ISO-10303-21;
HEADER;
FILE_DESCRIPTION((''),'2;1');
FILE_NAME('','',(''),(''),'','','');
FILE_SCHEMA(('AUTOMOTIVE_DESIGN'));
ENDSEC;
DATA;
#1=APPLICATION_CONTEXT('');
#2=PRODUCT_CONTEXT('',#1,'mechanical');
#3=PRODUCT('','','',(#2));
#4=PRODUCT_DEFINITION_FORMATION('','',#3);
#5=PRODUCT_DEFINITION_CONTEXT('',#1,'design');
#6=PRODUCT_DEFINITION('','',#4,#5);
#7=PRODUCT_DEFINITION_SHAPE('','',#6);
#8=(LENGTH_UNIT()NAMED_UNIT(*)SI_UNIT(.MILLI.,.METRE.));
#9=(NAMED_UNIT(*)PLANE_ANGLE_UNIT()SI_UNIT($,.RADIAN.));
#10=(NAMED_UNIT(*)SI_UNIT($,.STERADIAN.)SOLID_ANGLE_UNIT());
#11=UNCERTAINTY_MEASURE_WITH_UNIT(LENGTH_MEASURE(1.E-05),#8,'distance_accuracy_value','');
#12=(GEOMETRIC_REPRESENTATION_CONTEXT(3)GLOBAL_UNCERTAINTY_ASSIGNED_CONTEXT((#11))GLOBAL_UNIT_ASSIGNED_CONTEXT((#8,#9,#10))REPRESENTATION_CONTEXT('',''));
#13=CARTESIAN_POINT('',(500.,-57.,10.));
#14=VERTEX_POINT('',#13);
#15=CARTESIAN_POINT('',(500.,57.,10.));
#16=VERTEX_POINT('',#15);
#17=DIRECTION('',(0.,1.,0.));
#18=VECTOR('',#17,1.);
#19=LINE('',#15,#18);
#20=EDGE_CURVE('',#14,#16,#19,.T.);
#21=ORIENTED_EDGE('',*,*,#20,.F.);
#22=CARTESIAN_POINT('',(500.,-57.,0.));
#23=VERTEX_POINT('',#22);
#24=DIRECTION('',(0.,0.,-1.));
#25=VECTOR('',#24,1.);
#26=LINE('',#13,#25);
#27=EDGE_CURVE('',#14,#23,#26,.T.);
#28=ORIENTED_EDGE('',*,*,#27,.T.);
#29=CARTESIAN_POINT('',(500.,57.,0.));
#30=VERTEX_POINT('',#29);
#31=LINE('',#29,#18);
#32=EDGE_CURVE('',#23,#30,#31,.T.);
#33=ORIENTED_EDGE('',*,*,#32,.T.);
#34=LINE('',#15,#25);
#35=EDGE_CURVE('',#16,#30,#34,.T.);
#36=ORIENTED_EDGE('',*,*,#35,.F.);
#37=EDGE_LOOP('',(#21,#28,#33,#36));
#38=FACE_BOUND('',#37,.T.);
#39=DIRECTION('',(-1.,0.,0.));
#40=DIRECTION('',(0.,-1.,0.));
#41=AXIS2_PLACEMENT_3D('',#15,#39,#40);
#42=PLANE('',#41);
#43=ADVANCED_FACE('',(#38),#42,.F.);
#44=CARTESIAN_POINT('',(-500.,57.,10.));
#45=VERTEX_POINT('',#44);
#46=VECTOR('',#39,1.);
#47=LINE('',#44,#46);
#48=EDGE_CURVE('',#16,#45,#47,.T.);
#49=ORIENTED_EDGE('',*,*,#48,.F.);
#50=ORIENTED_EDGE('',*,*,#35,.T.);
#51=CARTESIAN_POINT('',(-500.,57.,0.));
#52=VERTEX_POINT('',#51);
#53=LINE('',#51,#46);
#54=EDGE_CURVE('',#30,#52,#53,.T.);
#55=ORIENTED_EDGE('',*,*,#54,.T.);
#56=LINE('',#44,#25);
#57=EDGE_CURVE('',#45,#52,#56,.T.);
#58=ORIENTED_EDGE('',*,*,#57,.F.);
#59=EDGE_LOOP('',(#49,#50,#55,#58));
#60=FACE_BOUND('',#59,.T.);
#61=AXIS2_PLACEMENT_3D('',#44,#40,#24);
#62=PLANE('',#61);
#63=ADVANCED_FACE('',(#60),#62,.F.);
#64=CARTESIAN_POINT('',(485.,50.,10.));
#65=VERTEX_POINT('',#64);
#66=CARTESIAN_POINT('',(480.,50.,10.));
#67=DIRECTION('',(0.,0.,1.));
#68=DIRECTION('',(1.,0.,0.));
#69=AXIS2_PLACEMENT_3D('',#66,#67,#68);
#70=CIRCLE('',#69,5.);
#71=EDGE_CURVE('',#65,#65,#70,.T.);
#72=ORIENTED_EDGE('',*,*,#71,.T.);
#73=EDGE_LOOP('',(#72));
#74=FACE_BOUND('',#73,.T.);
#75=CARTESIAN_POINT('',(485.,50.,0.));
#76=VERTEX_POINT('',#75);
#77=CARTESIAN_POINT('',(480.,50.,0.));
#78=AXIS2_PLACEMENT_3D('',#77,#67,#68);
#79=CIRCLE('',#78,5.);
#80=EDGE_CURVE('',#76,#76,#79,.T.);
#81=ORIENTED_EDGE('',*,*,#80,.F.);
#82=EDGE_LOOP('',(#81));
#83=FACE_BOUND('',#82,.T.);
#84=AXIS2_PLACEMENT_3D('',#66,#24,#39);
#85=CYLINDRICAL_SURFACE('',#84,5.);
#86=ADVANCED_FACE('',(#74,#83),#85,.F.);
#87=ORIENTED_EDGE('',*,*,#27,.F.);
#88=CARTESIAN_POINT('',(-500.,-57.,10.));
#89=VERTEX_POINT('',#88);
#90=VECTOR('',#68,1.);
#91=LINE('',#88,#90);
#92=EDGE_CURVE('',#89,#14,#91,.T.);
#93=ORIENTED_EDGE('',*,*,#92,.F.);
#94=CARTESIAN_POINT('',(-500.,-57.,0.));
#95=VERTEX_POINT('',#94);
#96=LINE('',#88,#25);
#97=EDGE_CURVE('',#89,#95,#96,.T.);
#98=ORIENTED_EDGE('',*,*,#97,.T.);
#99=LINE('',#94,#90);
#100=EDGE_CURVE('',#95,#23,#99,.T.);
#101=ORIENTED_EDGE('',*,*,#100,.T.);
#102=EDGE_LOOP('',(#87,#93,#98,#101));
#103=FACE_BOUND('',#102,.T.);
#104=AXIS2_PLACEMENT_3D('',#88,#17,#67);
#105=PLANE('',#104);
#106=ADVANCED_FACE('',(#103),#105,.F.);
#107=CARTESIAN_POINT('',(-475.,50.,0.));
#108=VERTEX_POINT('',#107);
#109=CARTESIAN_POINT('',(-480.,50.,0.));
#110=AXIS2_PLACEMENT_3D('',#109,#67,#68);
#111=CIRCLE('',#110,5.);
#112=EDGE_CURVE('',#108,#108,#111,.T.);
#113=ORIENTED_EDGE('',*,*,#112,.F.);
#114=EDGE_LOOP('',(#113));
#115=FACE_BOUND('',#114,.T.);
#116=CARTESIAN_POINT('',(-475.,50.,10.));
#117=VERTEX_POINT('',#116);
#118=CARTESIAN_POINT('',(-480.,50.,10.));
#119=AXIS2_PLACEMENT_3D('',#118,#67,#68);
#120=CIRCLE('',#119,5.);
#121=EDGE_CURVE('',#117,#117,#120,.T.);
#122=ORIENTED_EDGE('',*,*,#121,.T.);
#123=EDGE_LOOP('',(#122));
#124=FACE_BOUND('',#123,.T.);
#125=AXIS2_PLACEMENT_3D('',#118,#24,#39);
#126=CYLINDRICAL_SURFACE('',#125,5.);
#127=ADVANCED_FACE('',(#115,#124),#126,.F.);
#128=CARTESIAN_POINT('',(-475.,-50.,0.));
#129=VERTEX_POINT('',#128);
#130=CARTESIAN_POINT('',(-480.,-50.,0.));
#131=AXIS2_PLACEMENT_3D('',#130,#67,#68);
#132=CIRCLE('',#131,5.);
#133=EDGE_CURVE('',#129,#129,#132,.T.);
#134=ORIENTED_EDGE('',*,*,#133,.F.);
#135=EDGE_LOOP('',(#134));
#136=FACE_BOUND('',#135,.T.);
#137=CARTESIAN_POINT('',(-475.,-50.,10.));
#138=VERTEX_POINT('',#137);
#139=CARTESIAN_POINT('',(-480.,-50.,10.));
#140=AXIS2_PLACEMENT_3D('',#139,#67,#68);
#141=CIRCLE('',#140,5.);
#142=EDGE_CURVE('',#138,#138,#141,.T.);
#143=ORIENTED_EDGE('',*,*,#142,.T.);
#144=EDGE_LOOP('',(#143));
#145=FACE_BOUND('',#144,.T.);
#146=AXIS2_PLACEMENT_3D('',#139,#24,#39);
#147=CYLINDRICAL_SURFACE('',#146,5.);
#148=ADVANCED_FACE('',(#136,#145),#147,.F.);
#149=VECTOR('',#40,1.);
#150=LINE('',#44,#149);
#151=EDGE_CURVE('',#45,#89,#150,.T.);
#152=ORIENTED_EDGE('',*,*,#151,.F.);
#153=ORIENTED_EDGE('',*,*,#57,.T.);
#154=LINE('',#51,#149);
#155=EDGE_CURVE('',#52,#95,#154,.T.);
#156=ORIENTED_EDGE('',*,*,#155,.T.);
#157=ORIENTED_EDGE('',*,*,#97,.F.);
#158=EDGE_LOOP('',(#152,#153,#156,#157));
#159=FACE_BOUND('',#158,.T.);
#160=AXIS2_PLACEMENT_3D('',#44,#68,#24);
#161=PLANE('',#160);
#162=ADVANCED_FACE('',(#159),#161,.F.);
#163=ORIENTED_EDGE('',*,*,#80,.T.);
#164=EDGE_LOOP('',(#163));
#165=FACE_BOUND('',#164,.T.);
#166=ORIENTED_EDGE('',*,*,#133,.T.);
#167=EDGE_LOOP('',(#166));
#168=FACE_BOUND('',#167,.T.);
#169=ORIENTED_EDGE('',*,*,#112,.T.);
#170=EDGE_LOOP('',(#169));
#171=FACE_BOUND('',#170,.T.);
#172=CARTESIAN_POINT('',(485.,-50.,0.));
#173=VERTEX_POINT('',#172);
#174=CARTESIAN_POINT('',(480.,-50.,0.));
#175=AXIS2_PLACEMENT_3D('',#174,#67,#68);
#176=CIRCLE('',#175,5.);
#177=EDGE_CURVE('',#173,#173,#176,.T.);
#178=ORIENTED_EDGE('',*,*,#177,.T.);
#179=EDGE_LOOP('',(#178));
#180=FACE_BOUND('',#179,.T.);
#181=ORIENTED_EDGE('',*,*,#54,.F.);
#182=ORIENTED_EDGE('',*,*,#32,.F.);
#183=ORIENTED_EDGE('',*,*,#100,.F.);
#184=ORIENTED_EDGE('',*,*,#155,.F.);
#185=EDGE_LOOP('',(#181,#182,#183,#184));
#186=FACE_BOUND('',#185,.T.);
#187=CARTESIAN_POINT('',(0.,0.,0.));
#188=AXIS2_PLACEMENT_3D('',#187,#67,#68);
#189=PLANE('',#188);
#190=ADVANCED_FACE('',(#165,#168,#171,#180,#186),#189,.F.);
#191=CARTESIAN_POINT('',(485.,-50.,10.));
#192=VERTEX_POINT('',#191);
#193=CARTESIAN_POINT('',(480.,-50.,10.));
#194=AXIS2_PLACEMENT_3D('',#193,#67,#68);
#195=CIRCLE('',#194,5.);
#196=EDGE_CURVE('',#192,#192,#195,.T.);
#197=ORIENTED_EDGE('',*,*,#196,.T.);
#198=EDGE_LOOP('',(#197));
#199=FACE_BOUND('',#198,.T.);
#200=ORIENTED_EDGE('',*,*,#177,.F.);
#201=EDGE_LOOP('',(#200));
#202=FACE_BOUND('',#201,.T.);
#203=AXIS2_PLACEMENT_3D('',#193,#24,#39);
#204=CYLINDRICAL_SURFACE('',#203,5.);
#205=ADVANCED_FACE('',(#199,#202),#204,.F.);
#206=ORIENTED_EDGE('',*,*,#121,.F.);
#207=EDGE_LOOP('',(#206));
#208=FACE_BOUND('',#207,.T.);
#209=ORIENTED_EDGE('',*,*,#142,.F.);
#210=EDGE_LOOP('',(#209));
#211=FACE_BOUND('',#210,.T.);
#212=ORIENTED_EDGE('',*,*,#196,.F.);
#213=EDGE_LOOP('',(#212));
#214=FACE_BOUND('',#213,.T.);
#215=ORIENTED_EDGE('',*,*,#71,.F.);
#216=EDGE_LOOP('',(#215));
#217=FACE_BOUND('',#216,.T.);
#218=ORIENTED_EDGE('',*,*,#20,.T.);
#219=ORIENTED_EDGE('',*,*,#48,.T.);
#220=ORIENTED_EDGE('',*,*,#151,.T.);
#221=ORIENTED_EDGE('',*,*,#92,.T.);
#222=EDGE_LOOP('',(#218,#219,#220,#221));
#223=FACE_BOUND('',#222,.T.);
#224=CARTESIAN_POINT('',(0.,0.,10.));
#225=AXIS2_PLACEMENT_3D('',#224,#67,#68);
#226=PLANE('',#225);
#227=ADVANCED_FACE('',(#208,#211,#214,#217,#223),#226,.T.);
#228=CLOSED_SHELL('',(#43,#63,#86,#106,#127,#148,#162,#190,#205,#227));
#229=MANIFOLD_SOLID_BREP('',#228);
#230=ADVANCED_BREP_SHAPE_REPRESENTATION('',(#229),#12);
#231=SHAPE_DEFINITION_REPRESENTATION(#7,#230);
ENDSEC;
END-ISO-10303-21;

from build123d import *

# Parameters (mm, degrees)
SCHIZZO1_W                   = 1000
SCHIZZO1_H                   = 114
SCHIZZO1_R                   = 5
ESTRUSIONE_ESTRUSIONE1_DEPTH = 10


with BuildPart() as part:
    # Schizzo1 → Estrusione-Estrusione1 (new body)
    with BuildSketch(Plane.XY):
        Rectangle(SCHIZZO1_W, SCHIZZO1_H)
        with Locations((-480, 50)):
            Circle(SCHIZZO1_R, mode=Mode.SUBTRACT)
        with Locations((-480, -50)):
            Circle(SCHIZZO1_R, mode=Mode.SUBTRACT)
        with Locations((480, 50)):
            Circle(SCHIZZO1_R, mode=Mode.SUBTRACT)
        with Locations((480, -50)):
            Circle(SCHIZZO1_R, mode=Mode.SUBTRACT)
    extrude(amount=ESTRUSIONE_ESTRUSIONE1_DEPTH)


solid = part.part
